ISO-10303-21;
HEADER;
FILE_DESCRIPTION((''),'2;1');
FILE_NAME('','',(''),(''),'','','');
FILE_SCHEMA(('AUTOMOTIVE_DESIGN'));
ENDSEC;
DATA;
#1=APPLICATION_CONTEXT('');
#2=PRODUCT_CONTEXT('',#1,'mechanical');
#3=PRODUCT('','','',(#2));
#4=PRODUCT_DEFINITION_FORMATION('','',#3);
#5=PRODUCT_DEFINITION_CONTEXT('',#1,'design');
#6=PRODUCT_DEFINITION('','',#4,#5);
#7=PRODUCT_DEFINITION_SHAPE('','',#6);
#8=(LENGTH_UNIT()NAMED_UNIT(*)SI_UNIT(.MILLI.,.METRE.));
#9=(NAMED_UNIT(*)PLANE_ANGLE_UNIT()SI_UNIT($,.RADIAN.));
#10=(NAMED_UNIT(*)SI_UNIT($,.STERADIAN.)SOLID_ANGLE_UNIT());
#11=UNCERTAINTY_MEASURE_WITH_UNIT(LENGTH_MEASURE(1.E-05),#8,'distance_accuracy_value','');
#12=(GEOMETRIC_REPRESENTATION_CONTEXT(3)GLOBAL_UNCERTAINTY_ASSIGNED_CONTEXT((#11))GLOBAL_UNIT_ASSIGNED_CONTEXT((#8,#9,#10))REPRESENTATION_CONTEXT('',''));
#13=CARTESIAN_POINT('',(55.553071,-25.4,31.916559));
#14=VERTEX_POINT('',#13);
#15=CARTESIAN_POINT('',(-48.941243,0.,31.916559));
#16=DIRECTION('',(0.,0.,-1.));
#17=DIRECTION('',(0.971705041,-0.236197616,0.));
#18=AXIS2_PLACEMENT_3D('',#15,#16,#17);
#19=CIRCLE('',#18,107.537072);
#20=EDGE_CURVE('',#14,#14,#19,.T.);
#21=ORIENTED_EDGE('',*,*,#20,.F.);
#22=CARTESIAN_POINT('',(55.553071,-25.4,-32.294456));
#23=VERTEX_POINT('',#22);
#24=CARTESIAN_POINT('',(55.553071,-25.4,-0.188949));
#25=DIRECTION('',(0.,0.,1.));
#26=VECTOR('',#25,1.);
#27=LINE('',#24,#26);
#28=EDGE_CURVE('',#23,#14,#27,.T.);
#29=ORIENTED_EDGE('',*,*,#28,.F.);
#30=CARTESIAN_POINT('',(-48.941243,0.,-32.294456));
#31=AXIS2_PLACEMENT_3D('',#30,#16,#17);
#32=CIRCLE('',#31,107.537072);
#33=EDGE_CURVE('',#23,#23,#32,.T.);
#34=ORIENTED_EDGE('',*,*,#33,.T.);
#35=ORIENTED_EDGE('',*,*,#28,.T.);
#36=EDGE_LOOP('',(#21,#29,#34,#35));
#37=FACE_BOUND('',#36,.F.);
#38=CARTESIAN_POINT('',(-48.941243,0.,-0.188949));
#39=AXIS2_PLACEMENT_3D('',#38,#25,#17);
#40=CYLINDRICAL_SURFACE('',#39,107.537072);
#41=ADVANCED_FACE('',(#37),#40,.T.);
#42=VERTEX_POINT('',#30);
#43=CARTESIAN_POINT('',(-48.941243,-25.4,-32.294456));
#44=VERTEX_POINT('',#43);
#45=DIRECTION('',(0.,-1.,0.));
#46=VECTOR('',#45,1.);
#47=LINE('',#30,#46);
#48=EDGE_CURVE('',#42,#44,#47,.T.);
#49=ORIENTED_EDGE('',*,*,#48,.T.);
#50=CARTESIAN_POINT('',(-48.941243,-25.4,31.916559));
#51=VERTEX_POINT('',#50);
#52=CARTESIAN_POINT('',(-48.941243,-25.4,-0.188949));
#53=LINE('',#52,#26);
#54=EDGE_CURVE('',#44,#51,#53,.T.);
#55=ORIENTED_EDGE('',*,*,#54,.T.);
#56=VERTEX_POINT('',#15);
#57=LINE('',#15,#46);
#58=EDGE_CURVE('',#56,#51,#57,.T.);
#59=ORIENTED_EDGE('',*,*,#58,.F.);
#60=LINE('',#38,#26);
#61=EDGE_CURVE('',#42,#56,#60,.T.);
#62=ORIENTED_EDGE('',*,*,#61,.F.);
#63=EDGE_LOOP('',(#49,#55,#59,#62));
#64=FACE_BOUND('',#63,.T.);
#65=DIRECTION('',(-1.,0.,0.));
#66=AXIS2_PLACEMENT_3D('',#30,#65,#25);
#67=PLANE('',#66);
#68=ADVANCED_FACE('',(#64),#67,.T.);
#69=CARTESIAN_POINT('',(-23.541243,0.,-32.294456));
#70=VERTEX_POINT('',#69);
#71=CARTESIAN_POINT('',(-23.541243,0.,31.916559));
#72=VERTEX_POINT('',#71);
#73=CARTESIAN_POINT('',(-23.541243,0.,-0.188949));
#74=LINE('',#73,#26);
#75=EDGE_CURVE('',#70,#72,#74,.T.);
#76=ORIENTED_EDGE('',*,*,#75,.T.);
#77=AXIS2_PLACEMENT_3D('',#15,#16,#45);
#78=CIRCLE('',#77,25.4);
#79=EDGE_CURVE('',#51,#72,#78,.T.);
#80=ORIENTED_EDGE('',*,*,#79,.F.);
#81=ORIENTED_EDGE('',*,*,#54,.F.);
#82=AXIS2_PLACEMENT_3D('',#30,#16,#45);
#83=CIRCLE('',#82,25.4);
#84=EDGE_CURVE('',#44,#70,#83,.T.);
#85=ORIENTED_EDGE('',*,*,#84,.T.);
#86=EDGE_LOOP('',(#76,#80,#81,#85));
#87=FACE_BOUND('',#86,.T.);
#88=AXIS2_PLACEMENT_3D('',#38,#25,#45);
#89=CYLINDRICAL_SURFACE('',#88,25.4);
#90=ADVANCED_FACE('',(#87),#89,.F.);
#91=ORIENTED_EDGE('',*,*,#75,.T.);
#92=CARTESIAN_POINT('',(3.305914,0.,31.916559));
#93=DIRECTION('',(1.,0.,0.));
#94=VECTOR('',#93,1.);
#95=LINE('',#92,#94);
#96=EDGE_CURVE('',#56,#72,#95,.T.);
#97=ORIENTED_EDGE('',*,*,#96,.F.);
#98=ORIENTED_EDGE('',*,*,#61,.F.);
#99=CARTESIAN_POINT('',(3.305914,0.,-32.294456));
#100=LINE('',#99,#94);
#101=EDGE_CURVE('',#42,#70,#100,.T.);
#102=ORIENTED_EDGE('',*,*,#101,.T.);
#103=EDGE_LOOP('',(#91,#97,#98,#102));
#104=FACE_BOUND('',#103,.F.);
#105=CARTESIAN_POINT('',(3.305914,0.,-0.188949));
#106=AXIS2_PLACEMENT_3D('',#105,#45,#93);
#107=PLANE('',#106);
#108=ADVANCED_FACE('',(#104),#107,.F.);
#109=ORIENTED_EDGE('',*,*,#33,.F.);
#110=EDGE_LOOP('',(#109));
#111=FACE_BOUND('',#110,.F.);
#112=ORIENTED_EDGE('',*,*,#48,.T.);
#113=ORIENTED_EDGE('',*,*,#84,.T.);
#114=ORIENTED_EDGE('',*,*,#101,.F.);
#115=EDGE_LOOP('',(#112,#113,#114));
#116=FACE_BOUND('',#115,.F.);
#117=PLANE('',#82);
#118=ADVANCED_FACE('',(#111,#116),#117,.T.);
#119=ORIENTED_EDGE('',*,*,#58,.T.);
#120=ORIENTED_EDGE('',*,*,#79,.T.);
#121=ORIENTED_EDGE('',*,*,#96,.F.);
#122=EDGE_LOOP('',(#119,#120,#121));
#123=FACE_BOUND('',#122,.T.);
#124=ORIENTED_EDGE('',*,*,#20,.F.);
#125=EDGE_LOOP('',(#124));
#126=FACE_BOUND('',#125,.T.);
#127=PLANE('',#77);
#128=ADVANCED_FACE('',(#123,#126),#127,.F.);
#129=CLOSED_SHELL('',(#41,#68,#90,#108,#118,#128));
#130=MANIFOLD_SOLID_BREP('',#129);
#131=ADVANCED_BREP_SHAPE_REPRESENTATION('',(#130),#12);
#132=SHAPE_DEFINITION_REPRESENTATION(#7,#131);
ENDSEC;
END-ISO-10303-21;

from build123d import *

# Parameters (mm, degrees)
F0_W      = 104.4943146408
F0_H      = 64.2110146582
F1_DEPTH  = 25.4
F1_FACE_W = 104.4943146408
F1_FACE_H = 64.2110146582


with BuildPart() as f1:
    # F0 (on Front) → F1 (new body)
    with BuildSketch(Plane.XZ):
        with Locations((3.3059138805, -0.1889485866)):
            Rectangle(F0_W, F0_H)
    extrude(amount=F1_DEPTH)

    # F1_face (on face) → F2 (revolve)
    with BuildSketch(Plane(origin=(3.3059138805, -25.4, -0.1889485866), x_dir=(1, 0, 0), z_dir=(0, -1, 0))):
        Rectangle(F1_FACE_W, F1_FACE_H)
    revolve(axis=Axis((-48.9412434399, 0, -0.1889485866), (0, 0, -1)))


solid = f1.part
